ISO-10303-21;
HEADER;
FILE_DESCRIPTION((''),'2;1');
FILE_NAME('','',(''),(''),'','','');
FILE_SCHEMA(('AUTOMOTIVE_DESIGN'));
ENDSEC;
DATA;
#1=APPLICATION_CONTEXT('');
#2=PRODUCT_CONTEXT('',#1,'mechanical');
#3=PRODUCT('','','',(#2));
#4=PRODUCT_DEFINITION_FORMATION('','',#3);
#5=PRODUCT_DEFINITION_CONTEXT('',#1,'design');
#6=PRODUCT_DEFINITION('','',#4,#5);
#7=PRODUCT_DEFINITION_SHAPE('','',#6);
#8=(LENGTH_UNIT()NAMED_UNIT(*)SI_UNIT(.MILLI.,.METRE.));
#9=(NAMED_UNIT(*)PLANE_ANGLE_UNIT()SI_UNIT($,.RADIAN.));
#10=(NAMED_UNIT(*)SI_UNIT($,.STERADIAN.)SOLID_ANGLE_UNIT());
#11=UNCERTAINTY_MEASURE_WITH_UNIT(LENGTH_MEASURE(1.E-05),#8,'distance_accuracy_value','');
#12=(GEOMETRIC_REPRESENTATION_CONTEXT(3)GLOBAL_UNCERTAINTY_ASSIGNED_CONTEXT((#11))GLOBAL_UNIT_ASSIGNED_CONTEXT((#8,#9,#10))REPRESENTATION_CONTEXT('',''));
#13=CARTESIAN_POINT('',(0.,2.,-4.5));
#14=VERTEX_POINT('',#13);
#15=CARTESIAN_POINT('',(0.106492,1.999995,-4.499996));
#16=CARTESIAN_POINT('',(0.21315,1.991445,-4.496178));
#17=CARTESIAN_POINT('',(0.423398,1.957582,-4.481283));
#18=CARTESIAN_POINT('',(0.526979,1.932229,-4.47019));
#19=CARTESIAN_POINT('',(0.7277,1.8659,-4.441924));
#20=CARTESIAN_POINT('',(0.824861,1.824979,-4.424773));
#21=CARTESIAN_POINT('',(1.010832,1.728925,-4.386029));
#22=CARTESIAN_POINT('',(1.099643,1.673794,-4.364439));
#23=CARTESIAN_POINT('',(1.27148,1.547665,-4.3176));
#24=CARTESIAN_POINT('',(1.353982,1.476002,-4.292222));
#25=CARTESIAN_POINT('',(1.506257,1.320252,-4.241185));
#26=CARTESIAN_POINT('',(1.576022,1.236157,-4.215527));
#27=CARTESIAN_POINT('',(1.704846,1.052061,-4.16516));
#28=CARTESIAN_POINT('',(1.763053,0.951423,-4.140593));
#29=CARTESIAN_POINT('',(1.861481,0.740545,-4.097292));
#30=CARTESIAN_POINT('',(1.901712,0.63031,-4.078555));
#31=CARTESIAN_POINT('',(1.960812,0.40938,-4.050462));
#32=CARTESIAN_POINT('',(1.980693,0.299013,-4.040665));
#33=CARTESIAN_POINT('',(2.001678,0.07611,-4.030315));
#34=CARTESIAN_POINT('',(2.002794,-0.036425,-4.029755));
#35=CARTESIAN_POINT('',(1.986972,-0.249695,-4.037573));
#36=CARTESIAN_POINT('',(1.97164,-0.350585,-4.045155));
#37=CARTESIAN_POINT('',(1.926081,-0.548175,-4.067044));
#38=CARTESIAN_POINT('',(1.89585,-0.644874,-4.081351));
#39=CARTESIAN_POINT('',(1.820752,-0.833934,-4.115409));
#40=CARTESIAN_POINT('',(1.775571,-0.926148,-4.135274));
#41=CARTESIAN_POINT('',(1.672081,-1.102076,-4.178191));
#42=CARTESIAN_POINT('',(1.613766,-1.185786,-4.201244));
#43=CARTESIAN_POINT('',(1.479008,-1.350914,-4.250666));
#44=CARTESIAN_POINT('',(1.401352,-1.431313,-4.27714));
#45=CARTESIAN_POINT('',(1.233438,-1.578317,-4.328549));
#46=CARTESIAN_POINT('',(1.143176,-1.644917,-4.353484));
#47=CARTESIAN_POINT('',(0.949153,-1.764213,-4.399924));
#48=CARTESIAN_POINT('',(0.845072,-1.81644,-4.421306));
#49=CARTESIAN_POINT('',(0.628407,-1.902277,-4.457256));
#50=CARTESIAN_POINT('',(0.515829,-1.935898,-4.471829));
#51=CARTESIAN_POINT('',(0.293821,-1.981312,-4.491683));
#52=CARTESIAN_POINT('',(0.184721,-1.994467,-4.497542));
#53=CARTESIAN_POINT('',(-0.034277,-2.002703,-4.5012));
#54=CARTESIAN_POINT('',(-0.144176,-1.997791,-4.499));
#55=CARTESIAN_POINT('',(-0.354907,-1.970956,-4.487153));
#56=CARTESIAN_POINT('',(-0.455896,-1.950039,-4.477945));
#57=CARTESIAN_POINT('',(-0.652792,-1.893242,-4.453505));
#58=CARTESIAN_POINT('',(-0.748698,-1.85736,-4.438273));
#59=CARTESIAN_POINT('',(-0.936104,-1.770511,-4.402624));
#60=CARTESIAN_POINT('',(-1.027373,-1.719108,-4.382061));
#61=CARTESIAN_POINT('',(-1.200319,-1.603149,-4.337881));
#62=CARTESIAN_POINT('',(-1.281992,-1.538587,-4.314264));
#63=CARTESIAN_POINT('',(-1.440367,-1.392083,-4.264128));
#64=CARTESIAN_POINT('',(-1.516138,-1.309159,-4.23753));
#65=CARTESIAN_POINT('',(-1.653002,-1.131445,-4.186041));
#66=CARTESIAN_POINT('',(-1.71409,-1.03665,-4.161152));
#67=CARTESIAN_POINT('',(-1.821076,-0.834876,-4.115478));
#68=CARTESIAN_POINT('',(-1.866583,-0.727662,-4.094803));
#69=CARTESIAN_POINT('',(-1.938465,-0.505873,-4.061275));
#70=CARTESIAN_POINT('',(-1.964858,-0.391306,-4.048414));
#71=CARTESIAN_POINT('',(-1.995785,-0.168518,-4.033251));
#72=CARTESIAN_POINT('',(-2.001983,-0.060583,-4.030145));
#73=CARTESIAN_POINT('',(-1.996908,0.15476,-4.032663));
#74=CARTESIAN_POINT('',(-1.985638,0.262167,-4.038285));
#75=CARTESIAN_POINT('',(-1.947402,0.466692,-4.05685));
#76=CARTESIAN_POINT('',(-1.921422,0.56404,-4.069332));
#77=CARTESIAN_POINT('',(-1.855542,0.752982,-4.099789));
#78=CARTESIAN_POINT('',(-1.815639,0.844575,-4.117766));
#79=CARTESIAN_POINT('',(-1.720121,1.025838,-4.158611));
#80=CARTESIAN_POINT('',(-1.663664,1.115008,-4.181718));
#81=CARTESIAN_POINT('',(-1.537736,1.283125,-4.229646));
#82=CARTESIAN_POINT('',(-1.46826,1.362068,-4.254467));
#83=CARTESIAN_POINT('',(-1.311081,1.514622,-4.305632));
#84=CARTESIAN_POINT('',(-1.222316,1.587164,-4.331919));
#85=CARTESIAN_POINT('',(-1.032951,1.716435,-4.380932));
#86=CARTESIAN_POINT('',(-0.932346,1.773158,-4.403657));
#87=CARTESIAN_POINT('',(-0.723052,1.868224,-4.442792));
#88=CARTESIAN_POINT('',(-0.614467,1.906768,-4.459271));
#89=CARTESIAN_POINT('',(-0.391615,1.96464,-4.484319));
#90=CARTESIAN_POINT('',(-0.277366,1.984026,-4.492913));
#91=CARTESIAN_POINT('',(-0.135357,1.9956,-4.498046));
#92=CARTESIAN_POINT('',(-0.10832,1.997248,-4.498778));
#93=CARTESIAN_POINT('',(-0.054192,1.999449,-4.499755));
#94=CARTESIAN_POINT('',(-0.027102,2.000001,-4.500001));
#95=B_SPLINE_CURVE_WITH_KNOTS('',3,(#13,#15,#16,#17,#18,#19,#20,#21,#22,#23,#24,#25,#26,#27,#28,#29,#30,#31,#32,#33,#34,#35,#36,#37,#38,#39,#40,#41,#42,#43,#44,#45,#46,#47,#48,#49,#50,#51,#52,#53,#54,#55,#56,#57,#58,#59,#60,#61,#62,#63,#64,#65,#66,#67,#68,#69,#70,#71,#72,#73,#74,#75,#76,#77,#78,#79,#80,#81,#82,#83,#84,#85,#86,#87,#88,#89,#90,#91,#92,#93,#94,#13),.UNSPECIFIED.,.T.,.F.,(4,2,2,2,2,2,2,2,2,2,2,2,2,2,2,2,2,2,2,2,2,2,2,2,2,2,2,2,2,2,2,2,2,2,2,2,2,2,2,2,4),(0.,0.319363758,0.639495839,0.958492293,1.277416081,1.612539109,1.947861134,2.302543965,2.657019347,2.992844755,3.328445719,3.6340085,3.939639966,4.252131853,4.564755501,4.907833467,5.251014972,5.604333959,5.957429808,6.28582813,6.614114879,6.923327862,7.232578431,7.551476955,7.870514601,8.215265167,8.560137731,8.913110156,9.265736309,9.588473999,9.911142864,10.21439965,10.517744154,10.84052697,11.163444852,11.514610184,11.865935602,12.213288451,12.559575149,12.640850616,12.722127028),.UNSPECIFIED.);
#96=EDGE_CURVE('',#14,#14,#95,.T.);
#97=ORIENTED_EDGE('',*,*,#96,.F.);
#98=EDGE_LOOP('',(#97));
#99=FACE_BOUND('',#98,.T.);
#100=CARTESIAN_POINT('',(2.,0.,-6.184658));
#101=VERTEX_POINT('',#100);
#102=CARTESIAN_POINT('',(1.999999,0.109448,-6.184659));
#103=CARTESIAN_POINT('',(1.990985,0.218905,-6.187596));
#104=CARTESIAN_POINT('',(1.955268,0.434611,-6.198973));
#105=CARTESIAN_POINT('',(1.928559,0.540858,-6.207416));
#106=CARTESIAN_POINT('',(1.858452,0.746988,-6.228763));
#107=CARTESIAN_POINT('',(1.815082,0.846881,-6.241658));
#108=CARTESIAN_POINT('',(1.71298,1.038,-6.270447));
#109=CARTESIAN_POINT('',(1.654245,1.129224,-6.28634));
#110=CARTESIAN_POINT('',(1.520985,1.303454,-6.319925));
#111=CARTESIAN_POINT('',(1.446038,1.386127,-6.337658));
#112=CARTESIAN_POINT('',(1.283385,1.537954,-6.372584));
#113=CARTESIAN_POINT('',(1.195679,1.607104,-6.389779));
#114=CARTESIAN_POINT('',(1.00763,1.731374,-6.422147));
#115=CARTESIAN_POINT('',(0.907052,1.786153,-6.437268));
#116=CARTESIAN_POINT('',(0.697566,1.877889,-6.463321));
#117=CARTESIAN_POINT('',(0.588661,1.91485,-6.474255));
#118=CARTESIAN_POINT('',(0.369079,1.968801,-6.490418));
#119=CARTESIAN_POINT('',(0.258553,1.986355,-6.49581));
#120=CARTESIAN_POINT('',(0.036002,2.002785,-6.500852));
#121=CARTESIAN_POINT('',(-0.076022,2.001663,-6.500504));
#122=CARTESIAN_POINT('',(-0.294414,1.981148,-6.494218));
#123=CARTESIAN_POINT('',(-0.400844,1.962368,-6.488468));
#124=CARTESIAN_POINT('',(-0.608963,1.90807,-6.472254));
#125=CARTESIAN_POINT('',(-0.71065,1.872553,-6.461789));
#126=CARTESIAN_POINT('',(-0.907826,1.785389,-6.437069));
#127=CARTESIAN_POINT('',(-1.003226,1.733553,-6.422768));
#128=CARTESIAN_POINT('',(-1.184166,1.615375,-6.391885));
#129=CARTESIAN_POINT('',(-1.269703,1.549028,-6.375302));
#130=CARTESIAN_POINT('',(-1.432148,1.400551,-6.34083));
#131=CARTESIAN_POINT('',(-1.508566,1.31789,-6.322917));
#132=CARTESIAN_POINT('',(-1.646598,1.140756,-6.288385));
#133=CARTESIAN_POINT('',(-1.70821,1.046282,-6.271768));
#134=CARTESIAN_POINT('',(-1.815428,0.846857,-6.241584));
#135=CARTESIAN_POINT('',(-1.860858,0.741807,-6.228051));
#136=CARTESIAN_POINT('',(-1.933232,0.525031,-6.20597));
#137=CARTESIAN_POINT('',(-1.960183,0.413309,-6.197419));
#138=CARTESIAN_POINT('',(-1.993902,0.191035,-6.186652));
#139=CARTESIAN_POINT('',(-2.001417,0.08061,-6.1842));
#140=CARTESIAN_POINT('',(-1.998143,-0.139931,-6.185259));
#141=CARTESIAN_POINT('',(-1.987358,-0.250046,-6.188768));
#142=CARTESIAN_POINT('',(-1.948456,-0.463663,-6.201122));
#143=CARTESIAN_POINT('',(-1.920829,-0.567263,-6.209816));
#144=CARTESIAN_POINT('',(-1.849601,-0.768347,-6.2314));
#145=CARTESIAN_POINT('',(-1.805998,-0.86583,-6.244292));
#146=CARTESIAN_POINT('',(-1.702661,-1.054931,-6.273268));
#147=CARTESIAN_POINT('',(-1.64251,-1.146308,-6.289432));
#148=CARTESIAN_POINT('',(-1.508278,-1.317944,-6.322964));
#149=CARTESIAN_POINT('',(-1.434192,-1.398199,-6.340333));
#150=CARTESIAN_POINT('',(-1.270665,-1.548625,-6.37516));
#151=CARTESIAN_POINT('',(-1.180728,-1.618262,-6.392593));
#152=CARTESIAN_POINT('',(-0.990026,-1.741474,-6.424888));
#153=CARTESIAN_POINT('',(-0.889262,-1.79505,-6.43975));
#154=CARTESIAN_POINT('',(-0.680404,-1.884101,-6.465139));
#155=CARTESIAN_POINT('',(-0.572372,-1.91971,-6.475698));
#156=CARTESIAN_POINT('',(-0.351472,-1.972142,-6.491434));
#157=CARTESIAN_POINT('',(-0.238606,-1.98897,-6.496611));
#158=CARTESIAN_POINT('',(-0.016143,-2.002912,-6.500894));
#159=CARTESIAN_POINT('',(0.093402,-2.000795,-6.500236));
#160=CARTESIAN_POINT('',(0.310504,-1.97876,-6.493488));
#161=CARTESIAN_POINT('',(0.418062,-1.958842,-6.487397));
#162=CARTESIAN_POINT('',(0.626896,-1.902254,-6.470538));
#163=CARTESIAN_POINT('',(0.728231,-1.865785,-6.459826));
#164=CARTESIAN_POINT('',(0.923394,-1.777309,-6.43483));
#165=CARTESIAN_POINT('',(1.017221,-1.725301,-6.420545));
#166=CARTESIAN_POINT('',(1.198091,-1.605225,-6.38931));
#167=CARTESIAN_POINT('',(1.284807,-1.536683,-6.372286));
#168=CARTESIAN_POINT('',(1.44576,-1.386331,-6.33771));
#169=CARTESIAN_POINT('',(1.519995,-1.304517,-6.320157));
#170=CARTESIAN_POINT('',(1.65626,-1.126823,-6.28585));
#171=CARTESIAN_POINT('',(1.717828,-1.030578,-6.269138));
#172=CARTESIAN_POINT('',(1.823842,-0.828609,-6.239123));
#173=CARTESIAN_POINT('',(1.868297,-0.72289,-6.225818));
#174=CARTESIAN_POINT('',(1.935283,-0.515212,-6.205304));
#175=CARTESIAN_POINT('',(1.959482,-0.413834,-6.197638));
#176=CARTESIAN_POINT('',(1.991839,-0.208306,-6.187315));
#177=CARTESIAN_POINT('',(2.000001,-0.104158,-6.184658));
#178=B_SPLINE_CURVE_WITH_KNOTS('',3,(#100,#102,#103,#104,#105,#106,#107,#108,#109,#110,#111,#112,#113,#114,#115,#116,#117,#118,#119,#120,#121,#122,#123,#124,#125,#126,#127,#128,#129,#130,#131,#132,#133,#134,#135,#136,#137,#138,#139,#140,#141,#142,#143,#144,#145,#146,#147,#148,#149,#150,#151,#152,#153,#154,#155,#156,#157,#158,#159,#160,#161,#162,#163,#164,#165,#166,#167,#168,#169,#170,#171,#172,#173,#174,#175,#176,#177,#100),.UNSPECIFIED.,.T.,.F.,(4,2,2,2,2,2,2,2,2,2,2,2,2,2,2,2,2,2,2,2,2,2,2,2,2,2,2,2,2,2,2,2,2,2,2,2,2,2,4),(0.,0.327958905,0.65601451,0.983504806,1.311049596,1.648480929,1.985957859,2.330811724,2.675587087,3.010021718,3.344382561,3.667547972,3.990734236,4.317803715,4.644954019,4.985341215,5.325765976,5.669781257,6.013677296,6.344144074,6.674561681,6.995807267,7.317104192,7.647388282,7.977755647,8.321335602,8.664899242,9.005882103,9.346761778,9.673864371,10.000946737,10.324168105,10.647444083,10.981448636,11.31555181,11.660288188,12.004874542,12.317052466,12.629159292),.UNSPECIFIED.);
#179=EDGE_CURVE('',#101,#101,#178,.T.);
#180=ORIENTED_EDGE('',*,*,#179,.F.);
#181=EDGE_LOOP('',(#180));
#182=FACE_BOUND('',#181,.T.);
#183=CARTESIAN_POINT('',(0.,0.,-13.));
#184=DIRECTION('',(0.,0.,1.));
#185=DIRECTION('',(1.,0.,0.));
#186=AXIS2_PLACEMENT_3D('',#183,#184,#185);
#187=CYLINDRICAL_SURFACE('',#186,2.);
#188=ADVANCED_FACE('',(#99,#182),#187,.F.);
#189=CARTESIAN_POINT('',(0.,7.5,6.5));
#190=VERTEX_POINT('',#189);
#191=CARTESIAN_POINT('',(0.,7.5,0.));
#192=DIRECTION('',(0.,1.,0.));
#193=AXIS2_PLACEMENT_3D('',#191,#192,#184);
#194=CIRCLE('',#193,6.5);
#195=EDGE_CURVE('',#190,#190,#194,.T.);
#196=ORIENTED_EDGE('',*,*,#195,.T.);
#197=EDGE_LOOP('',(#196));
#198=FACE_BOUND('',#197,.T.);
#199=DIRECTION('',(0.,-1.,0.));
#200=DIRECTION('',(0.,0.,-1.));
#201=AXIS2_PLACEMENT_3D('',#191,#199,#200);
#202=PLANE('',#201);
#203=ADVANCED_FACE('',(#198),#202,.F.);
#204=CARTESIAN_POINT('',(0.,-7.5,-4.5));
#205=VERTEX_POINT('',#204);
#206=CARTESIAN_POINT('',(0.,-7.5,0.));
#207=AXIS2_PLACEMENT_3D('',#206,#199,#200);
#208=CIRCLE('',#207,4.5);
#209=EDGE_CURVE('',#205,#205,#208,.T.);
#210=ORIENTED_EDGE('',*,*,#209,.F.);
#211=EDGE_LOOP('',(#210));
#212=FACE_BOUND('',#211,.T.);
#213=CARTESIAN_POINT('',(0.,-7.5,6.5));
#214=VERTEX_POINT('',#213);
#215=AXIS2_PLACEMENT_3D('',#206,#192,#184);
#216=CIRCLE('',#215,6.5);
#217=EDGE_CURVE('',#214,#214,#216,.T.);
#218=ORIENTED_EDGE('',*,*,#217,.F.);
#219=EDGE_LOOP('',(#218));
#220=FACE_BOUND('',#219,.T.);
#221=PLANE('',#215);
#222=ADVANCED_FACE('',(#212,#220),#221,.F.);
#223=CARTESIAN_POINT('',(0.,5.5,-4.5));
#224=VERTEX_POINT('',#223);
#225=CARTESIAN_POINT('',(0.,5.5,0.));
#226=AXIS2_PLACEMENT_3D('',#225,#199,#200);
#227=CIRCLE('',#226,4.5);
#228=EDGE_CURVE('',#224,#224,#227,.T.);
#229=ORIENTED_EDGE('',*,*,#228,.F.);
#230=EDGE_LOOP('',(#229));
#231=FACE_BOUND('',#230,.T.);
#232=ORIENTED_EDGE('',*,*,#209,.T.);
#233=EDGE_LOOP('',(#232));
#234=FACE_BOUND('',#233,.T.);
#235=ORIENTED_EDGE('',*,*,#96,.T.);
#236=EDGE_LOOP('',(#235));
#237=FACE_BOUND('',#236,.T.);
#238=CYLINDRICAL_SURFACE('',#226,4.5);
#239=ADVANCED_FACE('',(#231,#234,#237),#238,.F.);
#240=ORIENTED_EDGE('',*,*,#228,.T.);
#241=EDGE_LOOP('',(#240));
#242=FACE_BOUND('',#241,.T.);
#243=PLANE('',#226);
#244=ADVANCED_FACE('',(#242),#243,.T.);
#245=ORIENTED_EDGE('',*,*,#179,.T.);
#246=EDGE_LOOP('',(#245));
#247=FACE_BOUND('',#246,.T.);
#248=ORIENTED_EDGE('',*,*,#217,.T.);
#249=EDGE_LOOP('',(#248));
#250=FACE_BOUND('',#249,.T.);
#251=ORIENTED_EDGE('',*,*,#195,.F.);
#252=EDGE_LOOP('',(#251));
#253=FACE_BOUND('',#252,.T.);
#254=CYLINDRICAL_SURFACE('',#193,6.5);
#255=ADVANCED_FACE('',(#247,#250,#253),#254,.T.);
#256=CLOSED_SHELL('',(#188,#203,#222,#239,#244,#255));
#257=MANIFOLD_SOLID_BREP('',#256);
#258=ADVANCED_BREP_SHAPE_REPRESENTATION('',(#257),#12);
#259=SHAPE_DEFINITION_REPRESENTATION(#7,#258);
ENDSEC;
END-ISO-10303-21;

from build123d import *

# Parameters (mm, degrees)
SKETCH1_W          = 6.5
SKETCH1_H          = 15
SKETCH2_R          = 4.5
CUT_EXTRUDE1_DEPTH = 13
SKETCH3_R          = 2
CUT_EXTRUDE2_DEPTH = 13


with BuildPart() as part:
    # Sketch1 → Revolve1 (revolve)
    with BuildSketch(Plane.XY, mode=Mode.PRIVATE) as revolve1_sk:
        with Locations((3.25, 0)):
            Rectangle(SKETCH1_W, SKETCH1_H)
    revolve(revolve1_sk.sketch.rotate(Axis((0, 7.5, 0), (0, -1, 0)), 90), axis=Axis((0, 7.5, 0), (0, -1, 0)))

    # Sketch2 → Cut-Extrude1 (cut)
    with BuildSketch(Plane.XZ.offset(7.5)):
        with Locations(Location((0, 0, 0), (0, 0, 270))):
            Circle(SKETCH2_R)
    extrude(amount=-CUT_EXTRUDE1_DEPTH, mode=Mode.SUBTRACT)

    # Sketch3 → Cut-Extrude2 (cut)
    with BuildSketch(Plane.XY):
        Circle(SKETCH3_R)
    extrude(amount=-CUT_EXTRUDE2_DEPTH, mode=Mode.SUBTRACT)


solid = part.part
